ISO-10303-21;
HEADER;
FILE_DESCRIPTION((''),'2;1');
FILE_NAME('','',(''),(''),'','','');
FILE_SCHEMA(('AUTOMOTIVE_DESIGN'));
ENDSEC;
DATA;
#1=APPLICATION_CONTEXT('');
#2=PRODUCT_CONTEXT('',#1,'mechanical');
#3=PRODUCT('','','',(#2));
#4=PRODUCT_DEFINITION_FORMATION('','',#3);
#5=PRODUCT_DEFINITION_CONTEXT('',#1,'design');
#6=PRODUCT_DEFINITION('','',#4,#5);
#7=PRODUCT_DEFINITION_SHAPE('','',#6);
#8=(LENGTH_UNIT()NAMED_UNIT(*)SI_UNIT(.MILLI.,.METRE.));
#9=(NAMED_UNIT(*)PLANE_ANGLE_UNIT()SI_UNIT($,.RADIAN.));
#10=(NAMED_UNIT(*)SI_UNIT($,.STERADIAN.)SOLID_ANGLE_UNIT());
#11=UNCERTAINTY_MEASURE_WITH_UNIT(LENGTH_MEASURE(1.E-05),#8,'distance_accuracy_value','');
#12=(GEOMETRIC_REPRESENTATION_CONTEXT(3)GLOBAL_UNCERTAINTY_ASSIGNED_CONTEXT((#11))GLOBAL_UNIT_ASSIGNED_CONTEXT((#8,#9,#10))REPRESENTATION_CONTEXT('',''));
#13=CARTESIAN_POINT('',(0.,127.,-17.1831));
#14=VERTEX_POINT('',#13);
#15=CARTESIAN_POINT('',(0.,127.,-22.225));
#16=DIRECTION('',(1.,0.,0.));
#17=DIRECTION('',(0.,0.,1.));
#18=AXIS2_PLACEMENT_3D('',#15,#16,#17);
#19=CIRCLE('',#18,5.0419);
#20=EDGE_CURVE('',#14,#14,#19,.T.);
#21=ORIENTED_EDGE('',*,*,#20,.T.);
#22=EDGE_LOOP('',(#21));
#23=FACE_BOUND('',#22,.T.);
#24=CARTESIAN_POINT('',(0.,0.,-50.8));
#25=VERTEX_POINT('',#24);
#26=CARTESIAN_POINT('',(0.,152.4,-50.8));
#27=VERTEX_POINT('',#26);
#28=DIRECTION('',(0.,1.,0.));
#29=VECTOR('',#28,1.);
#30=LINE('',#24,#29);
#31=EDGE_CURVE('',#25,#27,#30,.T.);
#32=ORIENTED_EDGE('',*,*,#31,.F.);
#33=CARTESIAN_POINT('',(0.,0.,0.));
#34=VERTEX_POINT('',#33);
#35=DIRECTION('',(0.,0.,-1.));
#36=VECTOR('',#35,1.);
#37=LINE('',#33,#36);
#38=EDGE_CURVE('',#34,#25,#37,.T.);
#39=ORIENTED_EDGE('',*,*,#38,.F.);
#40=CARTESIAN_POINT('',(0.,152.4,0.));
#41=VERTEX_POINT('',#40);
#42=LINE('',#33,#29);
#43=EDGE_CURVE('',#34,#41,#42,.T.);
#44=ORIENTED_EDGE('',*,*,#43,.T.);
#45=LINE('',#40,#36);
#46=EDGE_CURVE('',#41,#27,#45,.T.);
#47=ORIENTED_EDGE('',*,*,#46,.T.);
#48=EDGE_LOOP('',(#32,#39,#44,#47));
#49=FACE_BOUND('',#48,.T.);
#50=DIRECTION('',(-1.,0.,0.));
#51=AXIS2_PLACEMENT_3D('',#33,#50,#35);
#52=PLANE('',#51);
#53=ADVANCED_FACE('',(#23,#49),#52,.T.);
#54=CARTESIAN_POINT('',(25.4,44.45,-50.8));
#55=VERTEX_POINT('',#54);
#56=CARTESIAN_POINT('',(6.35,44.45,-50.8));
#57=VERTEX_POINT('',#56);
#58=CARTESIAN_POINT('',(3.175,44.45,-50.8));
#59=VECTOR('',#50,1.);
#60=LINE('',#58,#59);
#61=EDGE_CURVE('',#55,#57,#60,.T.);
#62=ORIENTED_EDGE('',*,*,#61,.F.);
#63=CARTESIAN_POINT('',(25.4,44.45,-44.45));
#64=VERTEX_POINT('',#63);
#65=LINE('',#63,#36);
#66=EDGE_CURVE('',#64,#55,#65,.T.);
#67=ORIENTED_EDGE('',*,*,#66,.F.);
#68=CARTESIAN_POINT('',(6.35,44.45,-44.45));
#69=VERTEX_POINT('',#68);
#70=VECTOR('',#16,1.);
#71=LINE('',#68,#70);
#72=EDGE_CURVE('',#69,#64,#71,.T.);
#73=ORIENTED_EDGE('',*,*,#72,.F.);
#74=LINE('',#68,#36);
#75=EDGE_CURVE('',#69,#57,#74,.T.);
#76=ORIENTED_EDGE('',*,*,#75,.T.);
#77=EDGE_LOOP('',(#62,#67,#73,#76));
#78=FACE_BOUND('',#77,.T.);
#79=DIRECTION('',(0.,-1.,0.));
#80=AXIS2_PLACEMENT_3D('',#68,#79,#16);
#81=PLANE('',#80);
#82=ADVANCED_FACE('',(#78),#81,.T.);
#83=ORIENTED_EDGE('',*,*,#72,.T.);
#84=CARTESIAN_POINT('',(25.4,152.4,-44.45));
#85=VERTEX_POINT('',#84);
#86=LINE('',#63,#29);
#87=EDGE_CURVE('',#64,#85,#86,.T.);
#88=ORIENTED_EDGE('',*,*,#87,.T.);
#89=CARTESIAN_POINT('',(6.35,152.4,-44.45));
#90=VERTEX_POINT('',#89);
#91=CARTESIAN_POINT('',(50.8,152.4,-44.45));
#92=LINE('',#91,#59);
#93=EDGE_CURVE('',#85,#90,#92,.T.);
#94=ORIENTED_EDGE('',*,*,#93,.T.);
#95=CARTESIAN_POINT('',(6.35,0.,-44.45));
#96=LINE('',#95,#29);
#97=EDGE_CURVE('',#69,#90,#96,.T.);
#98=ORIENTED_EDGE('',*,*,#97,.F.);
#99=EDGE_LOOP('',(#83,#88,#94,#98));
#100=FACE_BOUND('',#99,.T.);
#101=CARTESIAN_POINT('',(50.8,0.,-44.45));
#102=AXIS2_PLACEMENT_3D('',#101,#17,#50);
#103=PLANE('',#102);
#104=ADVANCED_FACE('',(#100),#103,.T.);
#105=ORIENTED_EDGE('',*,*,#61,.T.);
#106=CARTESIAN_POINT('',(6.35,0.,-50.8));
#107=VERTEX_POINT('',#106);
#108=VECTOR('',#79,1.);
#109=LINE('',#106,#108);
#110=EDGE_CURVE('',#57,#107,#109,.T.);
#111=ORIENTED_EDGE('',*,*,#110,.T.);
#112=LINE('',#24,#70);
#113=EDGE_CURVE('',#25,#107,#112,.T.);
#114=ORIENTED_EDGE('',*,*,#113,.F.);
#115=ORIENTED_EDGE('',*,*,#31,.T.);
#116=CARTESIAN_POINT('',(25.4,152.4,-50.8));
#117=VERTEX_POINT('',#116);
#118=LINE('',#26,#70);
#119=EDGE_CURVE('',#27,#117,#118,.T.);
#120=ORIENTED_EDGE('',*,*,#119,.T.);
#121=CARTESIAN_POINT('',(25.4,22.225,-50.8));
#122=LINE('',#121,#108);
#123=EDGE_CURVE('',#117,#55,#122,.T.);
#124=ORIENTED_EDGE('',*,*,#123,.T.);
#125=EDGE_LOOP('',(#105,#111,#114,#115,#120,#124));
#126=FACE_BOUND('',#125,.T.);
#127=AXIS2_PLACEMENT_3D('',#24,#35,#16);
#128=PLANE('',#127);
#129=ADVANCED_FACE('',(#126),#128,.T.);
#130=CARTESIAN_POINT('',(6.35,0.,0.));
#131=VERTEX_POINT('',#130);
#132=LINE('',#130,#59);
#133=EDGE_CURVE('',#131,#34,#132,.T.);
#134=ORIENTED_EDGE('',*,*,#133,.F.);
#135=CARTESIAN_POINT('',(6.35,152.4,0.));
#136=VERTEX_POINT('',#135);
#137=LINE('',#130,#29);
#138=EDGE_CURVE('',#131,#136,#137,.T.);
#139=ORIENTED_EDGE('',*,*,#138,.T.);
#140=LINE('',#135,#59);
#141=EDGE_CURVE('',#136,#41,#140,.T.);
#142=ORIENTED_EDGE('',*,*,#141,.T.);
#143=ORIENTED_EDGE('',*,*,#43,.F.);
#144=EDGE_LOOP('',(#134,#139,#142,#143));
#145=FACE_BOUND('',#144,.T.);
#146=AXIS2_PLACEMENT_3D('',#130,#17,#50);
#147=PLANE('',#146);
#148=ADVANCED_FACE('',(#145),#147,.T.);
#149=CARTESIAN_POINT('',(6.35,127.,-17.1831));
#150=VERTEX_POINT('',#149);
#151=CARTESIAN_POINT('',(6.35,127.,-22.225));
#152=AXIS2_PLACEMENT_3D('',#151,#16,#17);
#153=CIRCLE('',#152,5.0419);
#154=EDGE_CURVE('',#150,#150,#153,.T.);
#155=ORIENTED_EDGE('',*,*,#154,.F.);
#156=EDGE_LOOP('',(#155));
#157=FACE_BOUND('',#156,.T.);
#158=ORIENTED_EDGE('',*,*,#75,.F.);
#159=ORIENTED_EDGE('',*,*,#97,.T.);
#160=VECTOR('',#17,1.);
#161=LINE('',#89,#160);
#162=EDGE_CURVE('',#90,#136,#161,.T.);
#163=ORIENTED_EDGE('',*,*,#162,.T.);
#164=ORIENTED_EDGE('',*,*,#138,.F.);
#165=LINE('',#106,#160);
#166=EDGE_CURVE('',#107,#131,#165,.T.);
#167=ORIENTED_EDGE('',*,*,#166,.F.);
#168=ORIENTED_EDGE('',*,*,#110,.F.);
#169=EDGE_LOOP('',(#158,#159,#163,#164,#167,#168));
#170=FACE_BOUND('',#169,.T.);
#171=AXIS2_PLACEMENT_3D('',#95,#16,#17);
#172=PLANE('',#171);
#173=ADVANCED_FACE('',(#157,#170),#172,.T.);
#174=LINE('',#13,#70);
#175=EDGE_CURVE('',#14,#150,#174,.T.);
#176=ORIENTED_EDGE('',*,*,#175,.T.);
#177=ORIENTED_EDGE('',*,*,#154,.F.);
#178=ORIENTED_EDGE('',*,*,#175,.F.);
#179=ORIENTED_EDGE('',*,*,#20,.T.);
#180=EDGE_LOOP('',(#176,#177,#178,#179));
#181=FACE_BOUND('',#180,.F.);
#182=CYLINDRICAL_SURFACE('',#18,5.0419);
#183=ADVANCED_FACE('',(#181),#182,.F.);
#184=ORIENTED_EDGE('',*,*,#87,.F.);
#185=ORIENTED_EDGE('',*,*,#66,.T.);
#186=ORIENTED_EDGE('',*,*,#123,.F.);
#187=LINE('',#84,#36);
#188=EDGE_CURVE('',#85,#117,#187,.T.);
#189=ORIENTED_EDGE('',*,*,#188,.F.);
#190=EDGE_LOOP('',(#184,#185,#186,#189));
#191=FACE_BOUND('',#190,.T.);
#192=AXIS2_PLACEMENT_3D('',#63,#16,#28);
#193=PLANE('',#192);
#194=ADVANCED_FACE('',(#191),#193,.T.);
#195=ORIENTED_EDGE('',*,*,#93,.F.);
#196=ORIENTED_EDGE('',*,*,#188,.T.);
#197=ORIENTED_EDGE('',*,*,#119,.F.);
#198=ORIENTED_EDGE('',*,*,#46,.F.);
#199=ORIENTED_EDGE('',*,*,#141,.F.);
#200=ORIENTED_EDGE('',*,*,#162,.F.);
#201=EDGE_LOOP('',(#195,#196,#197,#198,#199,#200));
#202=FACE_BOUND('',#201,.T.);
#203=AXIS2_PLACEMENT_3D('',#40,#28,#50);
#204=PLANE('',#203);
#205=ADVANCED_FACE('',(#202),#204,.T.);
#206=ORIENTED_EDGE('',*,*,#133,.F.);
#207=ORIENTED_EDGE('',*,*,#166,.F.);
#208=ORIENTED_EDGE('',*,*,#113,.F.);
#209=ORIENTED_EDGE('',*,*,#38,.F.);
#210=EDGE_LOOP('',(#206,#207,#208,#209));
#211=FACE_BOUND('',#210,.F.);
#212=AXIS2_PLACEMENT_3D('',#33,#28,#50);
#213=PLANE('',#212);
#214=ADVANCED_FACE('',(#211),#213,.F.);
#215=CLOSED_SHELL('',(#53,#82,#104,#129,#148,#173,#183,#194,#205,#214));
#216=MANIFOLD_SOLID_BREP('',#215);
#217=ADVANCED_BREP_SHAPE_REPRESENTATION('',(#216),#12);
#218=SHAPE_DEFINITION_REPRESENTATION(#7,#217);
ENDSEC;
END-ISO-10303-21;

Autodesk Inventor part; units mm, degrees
ref_plane "YZ Plane" through (0, 0, 0) normal (1, 0, 0) x (0, 1, 0)
ref_plane "XZ Plane" through (0, 0, 0) normal (0, 1, 0) x (-1, 0, 0)
ref_plane "XY Plane" through (0, 0, 0) normal (0, 0, 1) x (1, 0, 0)
sketch "Sketch1" plane through (0, 0, 0) normal (0, 1, 0) x (-1, 0, 0)
  line L0 (0, 0) -> (0, -50.8)
  line L1 (0, -50.8) -> (-50.8, -50.8)
  line L2 (-50.8, -50.8) -> (-50.8, -44.45)
  line L3 (-50.8, -44.45) -> (-6.35, -44.45)
  line L4 (-6.35, -44.45) -> (-6.35, 0)
  line L5 (-6.35, 0) -> (0, 0)
  dimension "d0" = 6.35
  dimension "d1" = 50.8
extrude "Extrusion1" add sketch "Sketch1" along normal blind 152.4
sketch "Sketch4" plane through (6.35, 0, -44.45) normal (0, 0, 1) x (1, 0, 0)
  line L0 (44.45, 0) -> (0, 0) projected
  line L1 (0, 0) -> (0, 152.4) projected
  line L2 (44.45, 0) -> (0, 0)
  line L3 (0, 0) -> (0, 44.45)
  line L4 (0, 44.45) -> (44.45, 44.45)
  line L5 (44.45, 44.45) -> (44.45, 0)
  point P0 (-6.35, 0)
  dimension "d8" = 44.45
extrude "Extrusion3" cut sketch "Sketch4" against normal through all
sketch "Sketch5" plane through (6.35, 152.4, -44.45) normal (0, 0, 1) x (1, 0, 0)
  line L0 (44.45, -107.95) -> (44.45, 0) projected
  line L1 (44.45, 0) -> (-6.35, 0) projected
  line L2 (44.45, -107.95) -> (19.05, -107.95)
  line L3 (19.05, -107.95) -> (19.05, 0)
  line L4 (19.05, 0) -> (44.45, 0)
  line L5 (44.45, 0) -> (44.45, -107.95)
  point P0 (-6.35, -152.4)
  dimension "d11" = 25.4
extrude "Extrusion4" cut sketch "Sketch5" against normal through all
sketch "Sketch6" plane through (0, 0, -50.8) normal (-1, 0, 0) x (0, 0, 1)
  line L0 (0, 152.4) -> (50.8, 152.4) projected
  line L1 (0, 0) -> (0, 152.4) projected
  line L2 (50.8, 0) -> (50.8, 152.4) projected
  point P0 (28.575, 127)
  dimension "d14" = 25.4
  dimension "d23" = 22.225
hole "Hole1" at (0, 127, -22.225) direction (1, 0, 0) diameter 10.0838 end through all clearance for "Flat Head Machine Screw (82)" size "3/8" standard "Ansi Unified Screw Threads"
properties part number "LiftAngleBracketExtensionRight" material "Aluminum 6061"
